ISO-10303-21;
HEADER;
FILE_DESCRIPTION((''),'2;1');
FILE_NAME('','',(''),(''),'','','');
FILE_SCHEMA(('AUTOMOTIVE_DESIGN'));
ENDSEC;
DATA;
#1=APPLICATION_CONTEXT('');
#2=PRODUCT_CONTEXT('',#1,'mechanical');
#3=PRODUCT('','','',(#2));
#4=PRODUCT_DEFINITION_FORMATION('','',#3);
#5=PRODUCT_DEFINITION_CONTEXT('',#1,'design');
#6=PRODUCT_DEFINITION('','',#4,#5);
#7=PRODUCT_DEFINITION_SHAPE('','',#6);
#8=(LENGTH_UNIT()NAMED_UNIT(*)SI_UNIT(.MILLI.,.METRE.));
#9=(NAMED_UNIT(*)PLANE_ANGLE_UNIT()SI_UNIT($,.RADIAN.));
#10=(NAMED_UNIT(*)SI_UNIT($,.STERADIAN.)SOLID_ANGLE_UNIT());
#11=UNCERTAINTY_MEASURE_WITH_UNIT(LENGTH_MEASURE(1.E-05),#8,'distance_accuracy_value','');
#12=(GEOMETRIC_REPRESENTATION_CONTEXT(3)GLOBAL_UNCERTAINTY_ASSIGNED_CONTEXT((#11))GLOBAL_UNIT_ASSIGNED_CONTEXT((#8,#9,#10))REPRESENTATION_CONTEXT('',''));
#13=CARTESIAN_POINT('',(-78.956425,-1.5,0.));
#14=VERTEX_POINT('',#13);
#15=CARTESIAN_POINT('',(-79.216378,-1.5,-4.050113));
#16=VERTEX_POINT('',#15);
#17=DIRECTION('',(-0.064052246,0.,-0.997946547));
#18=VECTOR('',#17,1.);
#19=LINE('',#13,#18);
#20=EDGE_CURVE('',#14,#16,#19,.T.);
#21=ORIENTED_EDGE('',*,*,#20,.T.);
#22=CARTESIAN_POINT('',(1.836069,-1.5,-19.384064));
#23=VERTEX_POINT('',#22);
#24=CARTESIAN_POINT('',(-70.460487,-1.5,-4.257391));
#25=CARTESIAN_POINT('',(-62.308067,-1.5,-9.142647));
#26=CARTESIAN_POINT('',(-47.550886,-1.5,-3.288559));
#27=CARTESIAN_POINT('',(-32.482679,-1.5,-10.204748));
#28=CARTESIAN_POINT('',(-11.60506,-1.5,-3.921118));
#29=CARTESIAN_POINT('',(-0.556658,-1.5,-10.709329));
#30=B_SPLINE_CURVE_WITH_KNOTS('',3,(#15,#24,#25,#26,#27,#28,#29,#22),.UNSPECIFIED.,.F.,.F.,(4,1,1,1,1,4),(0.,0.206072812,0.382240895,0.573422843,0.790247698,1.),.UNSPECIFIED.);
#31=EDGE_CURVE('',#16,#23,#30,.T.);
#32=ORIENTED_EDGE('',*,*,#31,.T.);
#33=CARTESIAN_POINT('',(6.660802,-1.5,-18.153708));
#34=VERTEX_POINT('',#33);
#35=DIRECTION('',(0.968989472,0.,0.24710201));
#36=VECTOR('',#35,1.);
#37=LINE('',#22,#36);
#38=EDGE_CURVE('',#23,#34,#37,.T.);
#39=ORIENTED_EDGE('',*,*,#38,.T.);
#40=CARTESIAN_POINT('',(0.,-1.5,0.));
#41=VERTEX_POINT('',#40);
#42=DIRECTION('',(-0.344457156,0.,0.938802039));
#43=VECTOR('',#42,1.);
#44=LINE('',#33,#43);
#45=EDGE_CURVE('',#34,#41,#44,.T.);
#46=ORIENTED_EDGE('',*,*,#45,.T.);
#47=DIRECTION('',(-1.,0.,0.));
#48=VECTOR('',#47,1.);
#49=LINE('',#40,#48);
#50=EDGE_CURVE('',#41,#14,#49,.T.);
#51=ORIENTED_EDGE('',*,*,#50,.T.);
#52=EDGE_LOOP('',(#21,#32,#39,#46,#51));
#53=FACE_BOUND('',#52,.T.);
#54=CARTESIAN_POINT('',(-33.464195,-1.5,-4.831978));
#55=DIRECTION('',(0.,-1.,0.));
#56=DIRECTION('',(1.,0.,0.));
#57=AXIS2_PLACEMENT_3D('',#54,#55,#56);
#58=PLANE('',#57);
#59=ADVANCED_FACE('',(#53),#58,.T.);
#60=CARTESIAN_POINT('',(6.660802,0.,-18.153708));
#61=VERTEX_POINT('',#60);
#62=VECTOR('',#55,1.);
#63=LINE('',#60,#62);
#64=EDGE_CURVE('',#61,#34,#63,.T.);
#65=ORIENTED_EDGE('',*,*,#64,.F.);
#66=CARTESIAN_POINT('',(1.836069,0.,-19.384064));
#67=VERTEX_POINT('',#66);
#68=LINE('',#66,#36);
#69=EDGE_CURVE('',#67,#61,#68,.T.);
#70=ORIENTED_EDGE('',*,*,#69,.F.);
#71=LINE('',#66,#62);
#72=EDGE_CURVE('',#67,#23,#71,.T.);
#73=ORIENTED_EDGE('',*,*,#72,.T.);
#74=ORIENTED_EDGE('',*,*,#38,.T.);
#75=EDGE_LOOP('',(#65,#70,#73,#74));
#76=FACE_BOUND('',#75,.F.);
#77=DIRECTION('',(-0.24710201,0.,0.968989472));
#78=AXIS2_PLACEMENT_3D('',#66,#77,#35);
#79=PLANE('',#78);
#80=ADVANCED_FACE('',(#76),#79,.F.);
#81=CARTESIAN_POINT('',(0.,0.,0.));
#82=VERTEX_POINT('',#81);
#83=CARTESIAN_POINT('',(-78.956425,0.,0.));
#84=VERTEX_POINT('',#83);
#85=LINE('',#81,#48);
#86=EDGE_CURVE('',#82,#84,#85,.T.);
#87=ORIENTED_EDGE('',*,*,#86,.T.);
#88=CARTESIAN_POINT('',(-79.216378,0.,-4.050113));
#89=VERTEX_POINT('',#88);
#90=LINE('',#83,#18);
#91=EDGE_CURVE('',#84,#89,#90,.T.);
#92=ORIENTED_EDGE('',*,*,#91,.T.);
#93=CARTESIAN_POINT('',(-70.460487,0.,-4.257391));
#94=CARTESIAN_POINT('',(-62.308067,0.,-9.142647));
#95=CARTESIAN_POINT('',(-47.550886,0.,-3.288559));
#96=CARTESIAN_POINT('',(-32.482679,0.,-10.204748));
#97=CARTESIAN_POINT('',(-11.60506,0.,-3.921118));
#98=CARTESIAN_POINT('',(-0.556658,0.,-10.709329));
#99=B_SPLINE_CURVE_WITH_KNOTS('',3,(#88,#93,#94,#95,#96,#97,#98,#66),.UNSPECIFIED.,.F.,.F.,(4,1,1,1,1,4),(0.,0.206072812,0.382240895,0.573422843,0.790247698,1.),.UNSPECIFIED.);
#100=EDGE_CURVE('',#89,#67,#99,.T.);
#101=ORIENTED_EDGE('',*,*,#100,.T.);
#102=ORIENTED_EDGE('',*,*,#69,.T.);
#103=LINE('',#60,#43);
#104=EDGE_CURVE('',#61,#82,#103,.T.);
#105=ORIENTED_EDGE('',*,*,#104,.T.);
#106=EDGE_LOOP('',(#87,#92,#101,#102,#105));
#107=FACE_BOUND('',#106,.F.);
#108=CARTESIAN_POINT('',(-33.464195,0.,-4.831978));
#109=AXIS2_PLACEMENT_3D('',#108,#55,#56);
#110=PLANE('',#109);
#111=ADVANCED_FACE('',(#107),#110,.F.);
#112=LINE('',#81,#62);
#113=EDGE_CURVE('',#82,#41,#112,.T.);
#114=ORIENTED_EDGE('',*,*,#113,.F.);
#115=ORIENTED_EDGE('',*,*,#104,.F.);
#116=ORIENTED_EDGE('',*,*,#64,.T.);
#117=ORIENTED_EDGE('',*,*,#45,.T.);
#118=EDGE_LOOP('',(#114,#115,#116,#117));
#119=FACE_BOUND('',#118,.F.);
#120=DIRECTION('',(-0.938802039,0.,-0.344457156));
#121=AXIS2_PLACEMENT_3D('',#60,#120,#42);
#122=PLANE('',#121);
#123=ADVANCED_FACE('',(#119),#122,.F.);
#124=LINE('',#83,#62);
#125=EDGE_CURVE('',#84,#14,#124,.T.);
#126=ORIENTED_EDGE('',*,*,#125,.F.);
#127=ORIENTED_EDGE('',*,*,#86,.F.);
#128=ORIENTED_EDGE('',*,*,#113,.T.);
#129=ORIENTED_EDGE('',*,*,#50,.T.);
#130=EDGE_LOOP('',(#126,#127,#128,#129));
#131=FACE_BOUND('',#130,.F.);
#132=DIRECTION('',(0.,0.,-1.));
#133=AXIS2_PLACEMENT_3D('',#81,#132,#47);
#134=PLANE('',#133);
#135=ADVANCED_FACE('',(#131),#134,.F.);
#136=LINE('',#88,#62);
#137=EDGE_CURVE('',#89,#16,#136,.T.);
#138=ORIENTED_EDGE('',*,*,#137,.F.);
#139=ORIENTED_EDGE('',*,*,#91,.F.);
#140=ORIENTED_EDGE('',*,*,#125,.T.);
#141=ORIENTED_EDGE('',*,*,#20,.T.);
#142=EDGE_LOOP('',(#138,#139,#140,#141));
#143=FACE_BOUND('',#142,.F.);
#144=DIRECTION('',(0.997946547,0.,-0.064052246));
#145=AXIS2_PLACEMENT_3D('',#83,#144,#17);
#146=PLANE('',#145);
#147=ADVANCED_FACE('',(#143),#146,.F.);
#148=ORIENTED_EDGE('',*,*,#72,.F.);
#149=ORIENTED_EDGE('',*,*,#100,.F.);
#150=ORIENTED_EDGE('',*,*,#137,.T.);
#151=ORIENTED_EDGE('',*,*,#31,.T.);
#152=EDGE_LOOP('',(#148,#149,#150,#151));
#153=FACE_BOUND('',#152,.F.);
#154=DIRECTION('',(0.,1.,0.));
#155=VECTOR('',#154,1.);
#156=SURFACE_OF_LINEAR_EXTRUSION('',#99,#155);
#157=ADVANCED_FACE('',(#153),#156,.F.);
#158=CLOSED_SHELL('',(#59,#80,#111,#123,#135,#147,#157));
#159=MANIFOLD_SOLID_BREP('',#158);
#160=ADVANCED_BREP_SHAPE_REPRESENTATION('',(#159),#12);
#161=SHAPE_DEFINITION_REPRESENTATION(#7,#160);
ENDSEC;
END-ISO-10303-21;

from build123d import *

# Parameters (mm, degrees)
F1_DEPTH = 1.5


with BuildPart() as f1:
    # F0 (on Front) → F1 (new body)
    with BuildSketch(Plane.XZ):
        with BuildLine():
            Line((6.6608022898, -18.1537084281), (0, 0))
            Line((0, 0), (-78.95642519, 0))
            Line((-78.95642519, 0), (-79.2163778049, -4.0501126672))
            add(Edge.make_bspline(
                [(-79.2163778049, -4.0501126672), (-70.4604872243, -4.2573912418), (-62.308066849, -9.142647075), (-47.5508858382, -3.2885589411), (-32.4826792433, -10.2047481861), (-11.6050604426, -3.9211183288), (-0.5566575437, -10.7093292226), (1.8360690372, -19.3840636782)],
                knots=[0, 0, 0, 0, 0.2060728117, 0.382240895, 0.573422843, 0.7902476984, 1, 1, 1, 1], degree=3))
            Line((1.8360690372, -19.3840636782), (6.6608022898, -18.1537084281))
        make_face()
    extrude(amount=F1_DEPTH)


solid = f1.part
